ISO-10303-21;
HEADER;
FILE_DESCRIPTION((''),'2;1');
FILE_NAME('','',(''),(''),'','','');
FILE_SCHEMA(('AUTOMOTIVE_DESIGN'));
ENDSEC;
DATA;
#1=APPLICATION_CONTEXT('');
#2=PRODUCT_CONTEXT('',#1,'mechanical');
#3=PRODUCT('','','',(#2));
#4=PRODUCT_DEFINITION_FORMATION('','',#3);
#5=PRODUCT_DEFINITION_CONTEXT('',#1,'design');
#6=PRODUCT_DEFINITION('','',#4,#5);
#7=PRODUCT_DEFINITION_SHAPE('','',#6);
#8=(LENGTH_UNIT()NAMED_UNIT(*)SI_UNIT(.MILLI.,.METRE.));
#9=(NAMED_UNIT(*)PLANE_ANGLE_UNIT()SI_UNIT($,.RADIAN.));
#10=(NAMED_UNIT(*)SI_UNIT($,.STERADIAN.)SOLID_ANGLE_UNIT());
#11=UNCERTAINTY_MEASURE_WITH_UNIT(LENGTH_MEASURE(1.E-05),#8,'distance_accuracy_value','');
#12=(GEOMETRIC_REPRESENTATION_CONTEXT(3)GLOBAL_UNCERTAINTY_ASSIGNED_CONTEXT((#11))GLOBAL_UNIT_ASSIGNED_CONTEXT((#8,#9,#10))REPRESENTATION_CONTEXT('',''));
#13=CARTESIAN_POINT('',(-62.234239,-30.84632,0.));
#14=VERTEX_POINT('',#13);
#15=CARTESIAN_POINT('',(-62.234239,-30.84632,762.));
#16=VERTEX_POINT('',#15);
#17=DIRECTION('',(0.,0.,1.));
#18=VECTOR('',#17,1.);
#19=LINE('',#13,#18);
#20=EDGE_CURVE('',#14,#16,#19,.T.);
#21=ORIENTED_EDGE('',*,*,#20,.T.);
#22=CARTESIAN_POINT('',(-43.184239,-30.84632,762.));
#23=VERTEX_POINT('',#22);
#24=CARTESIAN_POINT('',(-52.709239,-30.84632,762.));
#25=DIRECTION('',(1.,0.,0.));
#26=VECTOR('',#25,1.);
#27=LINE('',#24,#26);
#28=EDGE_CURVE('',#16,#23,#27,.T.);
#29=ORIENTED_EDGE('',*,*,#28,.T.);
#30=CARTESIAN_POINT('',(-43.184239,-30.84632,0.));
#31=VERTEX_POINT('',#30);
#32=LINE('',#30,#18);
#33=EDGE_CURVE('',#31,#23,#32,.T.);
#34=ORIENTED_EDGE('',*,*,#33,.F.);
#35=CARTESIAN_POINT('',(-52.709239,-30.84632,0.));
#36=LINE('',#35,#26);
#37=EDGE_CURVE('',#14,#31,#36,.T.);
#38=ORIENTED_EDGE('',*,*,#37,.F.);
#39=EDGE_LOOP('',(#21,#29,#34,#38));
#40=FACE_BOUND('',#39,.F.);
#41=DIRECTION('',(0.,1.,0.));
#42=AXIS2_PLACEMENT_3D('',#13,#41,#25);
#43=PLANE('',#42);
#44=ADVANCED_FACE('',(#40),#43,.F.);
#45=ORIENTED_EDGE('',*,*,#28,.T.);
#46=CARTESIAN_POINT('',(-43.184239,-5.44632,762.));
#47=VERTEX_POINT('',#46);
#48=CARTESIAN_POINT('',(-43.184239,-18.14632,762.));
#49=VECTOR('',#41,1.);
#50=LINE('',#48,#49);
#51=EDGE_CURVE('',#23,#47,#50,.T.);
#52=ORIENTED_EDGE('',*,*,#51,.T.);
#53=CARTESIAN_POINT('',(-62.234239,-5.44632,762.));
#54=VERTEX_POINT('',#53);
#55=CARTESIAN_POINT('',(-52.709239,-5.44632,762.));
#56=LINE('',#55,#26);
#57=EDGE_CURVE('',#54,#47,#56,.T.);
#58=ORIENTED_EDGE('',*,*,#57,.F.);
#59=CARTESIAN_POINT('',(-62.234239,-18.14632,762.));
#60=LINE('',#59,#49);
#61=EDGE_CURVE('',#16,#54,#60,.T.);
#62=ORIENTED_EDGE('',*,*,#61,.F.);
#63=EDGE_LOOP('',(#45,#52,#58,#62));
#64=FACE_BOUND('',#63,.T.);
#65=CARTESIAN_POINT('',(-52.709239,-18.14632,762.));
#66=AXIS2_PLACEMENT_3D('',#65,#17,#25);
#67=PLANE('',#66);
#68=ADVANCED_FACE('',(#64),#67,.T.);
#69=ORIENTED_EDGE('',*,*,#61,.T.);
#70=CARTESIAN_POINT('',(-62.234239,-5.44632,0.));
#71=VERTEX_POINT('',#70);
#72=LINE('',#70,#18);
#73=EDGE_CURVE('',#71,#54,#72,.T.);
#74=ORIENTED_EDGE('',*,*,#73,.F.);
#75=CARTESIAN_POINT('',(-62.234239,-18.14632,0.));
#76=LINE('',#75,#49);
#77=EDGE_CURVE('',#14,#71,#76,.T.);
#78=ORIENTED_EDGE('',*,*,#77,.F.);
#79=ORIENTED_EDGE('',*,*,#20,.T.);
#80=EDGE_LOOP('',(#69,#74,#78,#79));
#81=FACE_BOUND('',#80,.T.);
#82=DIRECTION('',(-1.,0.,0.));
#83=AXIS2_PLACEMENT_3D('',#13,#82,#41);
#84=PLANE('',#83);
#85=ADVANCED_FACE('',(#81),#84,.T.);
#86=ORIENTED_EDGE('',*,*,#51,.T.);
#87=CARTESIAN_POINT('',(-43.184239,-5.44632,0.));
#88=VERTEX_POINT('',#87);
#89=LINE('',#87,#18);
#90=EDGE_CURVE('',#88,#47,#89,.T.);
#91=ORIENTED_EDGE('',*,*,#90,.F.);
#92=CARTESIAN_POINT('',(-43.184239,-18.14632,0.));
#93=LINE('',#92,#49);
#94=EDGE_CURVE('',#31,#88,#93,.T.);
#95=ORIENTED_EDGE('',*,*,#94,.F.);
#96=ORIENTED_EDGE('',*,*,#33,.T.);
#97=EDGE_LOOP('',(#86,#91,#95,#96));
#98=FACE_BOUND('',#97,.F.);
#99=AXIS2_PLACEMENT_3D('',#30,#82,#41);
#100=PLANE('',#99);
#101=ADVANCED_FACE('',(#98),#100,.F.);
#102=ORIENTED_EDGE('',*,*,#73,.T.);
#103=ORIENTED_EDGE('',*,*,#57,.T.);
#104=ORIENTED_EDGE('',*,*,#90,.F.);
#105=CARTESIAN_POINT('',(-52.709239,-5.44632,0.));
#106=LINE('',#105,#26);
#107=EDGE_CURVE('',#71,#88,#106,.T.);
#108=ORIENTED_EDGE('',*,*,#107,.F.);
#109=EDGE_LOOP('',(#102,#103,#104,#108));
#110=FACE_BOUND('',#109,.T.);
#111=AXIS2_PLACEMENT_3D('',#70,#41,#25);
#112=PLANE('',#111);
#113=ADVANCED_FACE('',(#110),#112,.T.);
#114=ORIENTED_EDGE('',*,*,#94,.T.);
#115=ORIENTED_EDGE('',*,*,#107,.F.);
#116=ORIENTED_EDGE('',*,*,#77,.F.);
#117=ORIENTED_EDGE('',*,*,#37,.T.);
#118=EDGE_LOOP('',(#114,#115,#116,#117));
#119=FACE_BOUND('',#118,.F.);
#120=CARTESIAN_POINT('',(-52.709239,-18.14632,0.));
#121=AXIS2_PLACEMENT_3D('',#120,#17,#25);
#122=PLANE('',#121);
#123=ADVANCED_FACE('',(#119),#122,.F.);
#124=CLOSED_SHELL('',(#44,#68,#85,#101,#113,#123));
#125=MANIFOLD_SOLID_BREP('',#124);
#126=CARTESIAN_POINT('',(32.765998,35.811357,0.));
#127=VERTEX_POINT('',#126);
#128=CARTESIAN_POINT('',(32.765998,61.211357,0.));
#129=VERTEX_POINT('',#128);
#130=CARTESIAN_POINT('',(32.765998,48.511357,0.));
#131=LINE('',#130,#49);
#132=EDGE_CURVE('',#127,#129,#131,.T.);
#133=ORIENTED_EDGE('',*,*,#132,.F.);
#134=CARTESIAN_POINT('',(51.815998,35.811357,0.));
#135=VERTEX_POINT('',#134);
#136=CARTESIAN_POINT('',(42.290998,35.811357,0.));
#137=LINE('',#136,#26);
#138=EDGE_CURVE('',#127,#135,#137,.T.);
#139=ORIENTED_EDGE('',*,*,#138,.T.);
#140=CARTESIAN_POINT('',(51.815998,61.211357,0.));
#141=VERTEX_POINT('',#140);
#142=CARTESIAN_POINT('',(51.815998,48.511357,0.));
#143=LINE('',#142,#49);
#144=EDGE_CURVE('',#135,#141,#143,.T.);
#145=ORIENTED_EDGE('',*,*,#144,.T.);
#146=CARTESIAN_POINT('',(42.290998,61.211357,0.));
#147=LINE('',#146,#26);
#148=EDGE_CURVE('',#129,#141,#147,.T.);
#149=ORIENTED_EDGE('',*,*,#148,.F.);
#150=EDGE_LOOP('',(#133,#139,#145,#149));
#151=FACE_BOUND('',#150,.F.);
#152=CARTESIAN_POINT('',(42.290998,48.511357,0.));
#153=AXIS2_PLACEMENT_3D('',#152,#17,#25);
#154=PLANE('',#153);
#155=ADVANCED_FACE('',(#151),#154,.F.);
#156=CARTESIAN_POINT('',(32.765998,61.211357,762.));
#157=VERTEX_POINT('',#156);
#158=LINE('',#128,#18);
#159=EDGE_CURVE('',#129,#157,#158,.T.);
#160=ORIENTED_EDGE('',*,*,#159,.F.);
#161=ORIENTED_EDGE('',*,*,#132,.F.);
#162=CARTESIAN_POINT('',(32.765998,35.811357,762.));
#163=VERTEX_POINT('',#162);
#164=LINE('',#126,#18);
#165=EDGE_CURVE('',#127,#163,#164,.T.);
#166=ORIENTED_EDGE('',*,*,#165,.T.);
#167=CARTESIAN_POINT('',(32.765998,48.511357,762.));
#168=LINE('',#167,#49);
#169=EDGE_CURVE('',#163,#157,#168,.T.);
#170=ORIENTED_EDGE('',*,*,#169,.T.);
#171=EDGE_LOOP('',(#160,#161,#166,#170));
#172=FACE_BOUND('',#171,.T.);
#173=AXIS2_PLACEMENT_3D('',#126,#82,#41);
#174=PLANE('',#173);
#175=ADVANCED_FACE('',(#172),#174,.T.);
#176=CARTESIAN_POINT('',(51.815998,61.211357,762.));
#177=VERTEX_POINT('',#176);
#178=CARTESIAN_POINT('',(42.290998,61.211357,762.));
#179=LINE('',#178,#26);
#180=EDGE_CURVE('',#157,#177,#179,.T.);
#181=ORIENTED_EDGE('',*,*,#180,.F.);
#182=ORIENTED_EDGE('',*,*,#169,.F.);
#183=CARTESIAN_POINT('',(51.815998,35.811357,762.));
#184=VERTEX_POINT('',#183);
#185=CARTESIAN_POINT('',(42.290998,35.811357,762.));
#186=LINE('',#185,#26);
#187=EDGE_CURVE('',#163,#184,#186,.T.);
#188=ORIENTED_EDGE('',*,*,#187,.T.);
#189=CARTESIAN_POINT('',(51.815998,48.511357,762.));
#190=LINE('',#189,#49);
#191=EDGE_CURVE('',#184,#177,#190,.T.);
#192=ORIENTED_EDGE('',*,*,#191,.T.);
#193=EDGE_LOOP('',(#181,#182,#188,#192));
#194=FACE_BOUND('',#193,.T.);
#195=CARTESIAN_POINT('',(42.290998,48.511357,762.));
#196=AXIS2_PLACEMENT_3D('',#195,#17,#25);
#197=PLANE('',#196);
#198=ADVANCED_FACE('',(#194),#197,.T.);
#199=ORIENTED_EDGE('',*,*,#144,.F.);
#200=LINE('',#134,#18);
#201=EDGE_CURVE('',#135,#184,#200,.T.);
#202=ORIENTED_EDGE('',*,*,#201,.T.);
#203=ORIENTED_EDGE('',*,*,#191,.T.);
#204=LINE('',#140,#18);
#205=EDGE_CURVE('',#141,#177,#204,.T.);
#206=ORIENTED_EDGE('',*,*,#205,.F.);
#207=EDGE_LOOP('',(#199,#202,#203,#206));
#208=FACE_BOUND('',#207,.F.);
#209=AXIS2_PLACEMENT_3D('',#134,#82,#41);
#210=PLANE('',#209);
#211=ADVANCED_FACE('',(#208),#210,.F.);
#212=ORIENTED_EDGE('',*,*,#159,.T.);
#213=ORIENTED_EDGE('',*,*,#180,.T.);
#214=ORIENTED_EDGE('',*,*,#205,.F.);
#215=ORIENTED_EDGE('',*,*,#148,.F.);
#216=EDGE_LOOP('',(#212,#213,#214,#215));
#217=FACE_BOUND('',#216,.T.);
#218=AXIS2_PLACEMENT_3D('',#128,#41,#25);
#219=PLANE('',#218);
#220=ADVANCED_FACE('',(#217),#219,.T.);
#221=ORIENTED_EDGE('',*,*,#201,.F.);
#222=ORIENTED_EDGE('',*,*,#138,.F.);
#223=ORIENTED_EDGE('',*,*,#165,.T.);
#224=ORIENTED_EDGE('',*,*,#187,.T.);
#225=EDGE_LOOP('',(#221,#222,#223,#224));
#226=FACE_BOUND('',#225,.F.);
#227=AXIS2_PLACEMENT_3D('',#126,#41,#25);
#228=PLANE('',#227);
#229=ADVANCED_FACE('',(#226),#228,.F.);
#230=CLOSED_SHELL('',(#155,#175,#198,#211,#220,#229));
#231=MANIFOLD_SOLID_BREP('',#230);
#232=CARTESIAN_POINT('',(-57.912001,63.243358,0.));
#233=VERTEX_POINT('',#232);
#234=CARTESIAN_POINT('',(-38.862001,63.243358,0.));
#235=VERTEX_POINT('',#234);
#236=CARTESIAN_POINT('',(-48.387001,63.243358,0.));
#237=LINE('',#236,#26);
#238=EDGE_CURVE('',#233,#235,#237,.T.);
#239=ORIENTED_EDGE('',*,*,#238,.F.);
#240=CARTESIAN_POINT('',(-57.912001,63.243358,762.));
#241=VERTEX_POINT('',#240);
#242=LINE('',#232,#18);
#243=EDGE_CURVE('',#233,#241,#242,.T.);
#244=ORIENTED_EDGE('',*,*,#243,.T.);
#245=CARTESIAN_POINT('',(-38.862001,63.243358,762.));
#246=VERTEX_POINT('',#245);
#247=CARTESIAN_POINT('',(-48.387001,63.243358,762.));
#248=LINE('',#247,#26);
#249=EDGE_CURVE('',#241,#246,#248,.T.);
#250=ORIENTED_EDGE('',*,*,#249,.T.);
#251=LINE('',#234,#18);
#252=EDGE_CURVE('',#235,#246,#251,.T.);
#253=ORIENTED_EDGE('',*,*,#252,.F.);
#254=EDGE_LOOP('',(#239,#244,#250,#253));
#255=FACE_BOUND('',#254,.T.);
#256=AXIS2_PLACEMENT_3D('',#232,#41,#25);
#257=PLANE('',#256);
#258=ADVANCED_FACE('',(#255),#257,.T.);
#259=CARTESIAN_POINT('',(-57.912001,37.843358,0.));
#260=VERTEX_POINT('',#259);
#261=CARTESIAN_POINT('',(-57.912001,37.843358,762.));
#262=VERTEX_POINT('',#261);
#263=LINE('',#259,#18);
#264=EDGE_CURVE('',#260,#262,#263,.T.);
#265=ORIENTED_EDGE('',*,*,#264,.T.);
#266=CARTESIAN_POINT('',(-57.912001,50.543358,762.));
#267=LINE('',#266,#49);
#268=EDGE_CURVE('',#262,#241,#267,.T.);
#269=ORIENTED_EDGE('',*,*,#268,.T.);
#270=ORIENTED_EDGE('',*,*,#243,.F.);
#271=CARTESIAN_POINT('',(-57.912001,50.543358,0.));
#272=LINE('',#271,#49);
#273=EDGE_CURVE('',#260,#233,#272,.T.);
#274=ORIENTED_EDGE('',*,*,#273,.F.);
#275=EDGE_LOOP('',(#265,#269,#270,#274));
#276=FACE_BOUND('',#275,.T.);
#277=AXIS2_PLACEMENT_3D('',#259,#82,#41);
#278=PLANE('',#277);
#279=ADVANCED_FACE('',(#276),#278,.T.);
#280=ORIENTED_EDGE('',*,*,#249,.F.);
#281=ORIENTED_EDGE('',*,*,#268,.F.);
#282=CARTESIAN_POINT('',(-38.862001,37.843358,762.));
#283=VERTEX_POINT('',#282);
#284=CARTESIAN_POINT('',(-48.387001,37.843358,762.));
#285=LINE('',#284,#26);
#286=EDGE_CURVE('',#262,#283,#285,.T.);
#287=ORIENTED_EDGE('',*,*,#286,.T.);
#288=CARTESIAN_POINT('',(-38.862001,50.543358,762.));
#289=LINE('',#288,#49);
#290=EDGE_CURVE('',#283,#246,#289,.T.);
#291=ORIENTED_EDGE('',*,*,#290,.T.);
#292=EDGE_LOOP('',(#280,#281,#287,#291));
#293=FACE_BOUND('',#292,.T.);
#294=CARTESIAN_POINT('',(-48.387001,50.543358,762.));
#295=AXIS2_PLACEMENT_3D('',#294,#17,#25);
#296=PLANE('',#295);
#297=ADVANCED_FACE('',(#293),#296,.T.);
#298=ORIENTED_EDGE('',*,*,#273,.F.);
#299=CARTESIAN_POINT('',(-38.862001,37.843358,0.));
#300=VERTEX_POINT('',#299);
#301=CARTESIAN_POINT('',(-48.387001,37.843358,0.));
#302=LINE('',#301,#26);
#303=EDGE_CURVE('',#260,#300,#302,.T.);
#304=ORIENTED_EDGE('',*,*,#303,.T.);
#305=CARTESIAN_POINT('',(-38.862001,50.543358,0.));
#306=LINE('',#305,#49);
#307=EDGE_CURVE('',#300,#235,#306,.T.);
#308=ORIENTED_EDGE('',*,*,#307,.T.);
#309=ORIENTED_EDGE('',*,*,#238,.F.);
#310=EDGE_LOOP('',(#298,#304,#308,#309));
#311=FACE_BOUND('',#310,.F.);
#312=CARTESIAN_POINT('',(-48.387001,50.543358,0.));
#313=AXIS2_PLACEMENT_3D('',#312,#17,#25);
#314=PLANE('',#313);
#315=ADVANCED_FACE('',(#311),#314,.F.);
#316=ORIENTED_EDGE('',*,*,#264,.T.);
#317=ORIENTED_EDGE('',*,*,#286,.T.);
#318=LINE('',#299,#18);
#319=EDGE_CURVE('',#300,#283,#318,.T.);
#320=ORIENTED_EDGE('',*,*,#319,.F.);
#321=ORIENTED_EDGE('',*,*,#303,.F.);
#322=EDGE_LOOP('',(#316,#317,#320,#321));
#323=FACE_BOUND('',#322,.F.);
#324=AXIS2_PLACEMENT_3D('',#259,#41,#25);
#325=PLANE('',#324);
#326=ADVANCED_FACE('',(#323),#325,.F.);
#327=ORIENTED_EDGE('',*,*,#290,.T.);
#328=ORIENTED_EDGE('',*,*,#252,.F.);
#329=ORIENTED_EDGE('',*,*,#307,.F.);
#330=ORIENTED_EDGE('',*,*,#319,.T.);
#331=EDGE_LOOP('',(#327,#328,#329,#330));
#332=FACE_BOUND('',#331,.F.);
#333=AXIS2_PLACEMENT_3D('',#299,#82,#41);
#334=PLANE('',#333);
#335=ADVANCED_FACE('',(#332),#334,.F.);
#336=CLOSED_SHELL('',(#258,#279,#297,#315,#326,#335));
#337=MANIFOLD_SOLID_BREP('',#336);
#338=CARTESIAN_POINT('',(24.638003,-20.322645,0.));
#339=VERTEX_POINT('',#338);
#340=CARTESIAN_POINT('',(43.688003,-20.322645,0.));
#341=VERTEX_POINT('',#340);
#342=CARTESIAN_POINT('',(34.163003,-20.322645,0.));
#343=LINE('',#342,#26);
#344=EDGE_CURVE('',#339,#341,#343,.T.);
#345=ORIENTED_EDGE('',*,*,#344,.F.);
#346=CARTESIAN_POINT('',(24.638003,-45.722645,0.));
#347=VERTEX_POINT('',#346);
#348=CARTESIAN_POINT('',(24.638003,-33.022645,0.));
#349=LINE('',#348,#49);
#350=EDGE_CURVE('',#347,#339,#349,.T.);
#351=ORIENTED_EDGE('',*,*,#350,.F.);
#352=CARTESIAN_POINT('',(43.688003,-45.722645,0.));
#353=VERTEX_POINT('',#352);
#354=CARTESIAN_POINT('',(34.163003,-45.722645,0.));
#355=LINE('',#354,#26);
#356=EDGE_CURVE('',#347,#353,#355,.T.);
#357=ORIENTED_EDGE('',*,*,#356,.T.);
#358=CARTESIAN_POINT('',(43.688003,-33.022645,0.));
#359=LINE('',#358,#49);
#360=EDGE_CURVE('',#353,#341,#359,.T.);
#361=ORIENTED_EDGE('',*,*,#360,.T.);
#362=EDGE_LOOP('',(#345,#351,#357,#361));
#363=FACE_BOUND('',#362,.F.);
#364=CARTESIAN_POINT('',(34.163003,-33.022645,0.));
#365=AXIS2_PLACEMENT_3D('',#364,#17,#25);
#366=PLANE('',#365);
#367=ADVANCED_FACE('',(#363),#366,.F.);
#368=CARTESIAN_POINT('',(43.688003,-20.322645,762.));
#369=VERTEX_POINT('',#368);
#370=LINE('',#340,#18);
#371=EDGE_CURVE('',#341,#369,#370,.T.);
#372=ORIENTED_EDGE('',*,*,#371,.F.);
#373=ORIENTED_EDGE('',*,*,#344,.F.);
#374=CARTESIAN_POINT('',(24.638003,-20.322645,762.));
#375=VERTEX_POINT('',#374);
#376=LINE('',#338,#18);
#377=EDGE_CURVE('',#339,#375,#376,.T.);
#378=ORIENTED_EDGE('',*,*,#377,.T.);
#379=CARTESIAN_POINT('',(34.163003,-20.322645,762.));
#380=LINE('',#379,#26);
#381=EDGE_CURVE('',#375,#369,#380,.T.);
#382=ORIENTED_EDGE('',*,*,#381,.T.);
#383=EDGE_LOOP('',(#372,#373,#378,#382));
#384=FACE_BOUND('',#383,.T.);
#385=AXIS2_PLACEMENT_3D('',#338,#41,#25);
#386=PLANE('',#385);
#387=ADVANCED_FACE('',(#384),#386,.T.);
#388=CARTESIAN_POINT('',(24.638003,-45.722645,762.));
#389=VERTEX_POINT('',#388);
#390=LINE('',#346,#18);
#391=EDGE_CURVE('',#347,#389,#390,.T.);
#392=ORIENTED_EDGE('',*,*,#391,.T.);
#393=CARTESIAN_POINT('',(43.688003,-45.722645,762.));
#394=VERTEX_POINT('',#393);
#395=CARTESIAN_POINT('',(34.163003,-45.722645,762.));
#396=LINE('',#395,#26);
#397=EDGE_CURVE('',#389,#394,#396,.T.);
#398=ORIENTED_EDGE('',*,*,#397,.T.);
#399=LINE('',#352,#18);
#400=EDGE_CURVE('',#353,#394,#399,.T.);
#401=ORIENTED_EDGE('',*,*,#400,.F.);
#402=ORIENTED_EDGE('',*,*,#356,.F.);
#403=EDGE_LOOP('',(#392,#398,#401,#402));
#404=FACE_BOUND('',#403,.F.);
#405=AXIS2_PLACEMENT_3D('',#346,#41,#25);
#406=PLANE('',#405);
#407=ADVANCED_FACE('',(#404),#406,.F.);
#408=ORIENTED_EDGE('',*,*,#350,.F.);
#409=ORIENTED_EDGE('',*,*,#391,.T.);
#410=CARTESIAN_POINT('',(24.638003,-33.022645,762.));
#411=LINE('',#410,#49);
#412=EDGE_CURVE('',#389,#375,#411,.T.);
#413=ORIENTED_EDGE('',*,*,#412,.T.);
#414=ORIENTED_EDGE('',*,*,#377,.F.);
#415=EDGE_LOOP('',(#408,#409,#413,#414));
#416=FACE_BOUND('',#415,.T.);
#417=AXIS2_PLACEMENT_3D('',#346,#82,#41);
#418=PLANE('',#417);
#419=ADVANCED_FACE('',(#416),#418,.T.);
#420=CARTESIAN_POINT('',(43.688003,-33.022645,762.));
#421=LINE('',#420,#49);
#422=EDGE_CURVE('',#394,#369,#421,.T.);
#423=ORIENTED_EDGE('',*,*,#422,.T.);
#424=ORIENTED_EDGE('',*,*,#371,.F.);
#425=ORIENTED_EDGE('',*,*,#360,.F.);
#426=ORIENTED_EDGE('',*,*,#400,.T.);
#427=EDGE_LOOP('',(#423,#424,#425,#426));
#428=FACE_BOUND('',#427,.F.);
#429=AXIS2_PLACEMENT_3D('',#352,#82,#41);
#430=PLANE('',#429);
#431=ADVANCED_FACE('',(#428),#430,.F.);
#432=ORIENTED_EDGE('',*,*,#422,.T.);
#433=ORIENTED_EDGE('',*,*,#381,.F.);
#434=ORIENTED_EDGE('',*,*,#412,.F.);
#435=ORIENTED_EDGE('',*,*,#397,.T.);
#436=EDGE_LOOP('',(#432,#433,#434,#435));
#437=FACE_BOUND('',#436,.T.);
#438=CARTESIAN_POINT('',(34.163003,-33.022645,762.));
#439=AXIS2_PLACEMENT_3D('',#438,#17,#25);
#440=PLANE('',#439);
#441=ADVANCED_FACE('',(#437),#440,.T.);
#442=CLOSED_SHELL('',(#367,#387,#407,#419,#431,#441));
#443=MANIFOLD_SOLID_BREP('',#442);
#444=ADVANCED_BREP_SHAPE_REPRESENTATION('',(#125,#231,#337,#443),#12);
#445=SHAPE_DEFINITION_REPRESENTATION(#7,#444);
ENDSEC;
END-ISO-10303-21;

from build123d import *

# Parameters (mm, degrees)
F0_W     = 19.05
F0_H     = 25.4
F1_DEPTH = 762
F2_W     = 19.05
F2_H     = 25.4
F3_DEPTH = 762


with BuildPart() as f1:
    # F0 (on Top) → F1 (new body)
    with BuildSketch(Plane.XY):
        with Locations((-52.709239, -18.14632)):
            Rectangle(F0_W, F0_H)
    extrude(amount=F1_DEPTH)


with BuildPart() as f3:
    # F2 (on Top) → F3 (new body)
    with BuildSketch(Plane.XY):
        with Locations((-48.387001, 50.543358)):
            Rectangle(F2_W, F2_H)
        with Locations((42.290998, 48.511357)):
            Rectangle(F2_W, F2_H)
        with Locations((34.163003, -33.022645)):
            Rectangle(F2_W, F2_H)
    extrude(amount=F3_DEPTH)


solid = Compound([f1.part, f3.part])
